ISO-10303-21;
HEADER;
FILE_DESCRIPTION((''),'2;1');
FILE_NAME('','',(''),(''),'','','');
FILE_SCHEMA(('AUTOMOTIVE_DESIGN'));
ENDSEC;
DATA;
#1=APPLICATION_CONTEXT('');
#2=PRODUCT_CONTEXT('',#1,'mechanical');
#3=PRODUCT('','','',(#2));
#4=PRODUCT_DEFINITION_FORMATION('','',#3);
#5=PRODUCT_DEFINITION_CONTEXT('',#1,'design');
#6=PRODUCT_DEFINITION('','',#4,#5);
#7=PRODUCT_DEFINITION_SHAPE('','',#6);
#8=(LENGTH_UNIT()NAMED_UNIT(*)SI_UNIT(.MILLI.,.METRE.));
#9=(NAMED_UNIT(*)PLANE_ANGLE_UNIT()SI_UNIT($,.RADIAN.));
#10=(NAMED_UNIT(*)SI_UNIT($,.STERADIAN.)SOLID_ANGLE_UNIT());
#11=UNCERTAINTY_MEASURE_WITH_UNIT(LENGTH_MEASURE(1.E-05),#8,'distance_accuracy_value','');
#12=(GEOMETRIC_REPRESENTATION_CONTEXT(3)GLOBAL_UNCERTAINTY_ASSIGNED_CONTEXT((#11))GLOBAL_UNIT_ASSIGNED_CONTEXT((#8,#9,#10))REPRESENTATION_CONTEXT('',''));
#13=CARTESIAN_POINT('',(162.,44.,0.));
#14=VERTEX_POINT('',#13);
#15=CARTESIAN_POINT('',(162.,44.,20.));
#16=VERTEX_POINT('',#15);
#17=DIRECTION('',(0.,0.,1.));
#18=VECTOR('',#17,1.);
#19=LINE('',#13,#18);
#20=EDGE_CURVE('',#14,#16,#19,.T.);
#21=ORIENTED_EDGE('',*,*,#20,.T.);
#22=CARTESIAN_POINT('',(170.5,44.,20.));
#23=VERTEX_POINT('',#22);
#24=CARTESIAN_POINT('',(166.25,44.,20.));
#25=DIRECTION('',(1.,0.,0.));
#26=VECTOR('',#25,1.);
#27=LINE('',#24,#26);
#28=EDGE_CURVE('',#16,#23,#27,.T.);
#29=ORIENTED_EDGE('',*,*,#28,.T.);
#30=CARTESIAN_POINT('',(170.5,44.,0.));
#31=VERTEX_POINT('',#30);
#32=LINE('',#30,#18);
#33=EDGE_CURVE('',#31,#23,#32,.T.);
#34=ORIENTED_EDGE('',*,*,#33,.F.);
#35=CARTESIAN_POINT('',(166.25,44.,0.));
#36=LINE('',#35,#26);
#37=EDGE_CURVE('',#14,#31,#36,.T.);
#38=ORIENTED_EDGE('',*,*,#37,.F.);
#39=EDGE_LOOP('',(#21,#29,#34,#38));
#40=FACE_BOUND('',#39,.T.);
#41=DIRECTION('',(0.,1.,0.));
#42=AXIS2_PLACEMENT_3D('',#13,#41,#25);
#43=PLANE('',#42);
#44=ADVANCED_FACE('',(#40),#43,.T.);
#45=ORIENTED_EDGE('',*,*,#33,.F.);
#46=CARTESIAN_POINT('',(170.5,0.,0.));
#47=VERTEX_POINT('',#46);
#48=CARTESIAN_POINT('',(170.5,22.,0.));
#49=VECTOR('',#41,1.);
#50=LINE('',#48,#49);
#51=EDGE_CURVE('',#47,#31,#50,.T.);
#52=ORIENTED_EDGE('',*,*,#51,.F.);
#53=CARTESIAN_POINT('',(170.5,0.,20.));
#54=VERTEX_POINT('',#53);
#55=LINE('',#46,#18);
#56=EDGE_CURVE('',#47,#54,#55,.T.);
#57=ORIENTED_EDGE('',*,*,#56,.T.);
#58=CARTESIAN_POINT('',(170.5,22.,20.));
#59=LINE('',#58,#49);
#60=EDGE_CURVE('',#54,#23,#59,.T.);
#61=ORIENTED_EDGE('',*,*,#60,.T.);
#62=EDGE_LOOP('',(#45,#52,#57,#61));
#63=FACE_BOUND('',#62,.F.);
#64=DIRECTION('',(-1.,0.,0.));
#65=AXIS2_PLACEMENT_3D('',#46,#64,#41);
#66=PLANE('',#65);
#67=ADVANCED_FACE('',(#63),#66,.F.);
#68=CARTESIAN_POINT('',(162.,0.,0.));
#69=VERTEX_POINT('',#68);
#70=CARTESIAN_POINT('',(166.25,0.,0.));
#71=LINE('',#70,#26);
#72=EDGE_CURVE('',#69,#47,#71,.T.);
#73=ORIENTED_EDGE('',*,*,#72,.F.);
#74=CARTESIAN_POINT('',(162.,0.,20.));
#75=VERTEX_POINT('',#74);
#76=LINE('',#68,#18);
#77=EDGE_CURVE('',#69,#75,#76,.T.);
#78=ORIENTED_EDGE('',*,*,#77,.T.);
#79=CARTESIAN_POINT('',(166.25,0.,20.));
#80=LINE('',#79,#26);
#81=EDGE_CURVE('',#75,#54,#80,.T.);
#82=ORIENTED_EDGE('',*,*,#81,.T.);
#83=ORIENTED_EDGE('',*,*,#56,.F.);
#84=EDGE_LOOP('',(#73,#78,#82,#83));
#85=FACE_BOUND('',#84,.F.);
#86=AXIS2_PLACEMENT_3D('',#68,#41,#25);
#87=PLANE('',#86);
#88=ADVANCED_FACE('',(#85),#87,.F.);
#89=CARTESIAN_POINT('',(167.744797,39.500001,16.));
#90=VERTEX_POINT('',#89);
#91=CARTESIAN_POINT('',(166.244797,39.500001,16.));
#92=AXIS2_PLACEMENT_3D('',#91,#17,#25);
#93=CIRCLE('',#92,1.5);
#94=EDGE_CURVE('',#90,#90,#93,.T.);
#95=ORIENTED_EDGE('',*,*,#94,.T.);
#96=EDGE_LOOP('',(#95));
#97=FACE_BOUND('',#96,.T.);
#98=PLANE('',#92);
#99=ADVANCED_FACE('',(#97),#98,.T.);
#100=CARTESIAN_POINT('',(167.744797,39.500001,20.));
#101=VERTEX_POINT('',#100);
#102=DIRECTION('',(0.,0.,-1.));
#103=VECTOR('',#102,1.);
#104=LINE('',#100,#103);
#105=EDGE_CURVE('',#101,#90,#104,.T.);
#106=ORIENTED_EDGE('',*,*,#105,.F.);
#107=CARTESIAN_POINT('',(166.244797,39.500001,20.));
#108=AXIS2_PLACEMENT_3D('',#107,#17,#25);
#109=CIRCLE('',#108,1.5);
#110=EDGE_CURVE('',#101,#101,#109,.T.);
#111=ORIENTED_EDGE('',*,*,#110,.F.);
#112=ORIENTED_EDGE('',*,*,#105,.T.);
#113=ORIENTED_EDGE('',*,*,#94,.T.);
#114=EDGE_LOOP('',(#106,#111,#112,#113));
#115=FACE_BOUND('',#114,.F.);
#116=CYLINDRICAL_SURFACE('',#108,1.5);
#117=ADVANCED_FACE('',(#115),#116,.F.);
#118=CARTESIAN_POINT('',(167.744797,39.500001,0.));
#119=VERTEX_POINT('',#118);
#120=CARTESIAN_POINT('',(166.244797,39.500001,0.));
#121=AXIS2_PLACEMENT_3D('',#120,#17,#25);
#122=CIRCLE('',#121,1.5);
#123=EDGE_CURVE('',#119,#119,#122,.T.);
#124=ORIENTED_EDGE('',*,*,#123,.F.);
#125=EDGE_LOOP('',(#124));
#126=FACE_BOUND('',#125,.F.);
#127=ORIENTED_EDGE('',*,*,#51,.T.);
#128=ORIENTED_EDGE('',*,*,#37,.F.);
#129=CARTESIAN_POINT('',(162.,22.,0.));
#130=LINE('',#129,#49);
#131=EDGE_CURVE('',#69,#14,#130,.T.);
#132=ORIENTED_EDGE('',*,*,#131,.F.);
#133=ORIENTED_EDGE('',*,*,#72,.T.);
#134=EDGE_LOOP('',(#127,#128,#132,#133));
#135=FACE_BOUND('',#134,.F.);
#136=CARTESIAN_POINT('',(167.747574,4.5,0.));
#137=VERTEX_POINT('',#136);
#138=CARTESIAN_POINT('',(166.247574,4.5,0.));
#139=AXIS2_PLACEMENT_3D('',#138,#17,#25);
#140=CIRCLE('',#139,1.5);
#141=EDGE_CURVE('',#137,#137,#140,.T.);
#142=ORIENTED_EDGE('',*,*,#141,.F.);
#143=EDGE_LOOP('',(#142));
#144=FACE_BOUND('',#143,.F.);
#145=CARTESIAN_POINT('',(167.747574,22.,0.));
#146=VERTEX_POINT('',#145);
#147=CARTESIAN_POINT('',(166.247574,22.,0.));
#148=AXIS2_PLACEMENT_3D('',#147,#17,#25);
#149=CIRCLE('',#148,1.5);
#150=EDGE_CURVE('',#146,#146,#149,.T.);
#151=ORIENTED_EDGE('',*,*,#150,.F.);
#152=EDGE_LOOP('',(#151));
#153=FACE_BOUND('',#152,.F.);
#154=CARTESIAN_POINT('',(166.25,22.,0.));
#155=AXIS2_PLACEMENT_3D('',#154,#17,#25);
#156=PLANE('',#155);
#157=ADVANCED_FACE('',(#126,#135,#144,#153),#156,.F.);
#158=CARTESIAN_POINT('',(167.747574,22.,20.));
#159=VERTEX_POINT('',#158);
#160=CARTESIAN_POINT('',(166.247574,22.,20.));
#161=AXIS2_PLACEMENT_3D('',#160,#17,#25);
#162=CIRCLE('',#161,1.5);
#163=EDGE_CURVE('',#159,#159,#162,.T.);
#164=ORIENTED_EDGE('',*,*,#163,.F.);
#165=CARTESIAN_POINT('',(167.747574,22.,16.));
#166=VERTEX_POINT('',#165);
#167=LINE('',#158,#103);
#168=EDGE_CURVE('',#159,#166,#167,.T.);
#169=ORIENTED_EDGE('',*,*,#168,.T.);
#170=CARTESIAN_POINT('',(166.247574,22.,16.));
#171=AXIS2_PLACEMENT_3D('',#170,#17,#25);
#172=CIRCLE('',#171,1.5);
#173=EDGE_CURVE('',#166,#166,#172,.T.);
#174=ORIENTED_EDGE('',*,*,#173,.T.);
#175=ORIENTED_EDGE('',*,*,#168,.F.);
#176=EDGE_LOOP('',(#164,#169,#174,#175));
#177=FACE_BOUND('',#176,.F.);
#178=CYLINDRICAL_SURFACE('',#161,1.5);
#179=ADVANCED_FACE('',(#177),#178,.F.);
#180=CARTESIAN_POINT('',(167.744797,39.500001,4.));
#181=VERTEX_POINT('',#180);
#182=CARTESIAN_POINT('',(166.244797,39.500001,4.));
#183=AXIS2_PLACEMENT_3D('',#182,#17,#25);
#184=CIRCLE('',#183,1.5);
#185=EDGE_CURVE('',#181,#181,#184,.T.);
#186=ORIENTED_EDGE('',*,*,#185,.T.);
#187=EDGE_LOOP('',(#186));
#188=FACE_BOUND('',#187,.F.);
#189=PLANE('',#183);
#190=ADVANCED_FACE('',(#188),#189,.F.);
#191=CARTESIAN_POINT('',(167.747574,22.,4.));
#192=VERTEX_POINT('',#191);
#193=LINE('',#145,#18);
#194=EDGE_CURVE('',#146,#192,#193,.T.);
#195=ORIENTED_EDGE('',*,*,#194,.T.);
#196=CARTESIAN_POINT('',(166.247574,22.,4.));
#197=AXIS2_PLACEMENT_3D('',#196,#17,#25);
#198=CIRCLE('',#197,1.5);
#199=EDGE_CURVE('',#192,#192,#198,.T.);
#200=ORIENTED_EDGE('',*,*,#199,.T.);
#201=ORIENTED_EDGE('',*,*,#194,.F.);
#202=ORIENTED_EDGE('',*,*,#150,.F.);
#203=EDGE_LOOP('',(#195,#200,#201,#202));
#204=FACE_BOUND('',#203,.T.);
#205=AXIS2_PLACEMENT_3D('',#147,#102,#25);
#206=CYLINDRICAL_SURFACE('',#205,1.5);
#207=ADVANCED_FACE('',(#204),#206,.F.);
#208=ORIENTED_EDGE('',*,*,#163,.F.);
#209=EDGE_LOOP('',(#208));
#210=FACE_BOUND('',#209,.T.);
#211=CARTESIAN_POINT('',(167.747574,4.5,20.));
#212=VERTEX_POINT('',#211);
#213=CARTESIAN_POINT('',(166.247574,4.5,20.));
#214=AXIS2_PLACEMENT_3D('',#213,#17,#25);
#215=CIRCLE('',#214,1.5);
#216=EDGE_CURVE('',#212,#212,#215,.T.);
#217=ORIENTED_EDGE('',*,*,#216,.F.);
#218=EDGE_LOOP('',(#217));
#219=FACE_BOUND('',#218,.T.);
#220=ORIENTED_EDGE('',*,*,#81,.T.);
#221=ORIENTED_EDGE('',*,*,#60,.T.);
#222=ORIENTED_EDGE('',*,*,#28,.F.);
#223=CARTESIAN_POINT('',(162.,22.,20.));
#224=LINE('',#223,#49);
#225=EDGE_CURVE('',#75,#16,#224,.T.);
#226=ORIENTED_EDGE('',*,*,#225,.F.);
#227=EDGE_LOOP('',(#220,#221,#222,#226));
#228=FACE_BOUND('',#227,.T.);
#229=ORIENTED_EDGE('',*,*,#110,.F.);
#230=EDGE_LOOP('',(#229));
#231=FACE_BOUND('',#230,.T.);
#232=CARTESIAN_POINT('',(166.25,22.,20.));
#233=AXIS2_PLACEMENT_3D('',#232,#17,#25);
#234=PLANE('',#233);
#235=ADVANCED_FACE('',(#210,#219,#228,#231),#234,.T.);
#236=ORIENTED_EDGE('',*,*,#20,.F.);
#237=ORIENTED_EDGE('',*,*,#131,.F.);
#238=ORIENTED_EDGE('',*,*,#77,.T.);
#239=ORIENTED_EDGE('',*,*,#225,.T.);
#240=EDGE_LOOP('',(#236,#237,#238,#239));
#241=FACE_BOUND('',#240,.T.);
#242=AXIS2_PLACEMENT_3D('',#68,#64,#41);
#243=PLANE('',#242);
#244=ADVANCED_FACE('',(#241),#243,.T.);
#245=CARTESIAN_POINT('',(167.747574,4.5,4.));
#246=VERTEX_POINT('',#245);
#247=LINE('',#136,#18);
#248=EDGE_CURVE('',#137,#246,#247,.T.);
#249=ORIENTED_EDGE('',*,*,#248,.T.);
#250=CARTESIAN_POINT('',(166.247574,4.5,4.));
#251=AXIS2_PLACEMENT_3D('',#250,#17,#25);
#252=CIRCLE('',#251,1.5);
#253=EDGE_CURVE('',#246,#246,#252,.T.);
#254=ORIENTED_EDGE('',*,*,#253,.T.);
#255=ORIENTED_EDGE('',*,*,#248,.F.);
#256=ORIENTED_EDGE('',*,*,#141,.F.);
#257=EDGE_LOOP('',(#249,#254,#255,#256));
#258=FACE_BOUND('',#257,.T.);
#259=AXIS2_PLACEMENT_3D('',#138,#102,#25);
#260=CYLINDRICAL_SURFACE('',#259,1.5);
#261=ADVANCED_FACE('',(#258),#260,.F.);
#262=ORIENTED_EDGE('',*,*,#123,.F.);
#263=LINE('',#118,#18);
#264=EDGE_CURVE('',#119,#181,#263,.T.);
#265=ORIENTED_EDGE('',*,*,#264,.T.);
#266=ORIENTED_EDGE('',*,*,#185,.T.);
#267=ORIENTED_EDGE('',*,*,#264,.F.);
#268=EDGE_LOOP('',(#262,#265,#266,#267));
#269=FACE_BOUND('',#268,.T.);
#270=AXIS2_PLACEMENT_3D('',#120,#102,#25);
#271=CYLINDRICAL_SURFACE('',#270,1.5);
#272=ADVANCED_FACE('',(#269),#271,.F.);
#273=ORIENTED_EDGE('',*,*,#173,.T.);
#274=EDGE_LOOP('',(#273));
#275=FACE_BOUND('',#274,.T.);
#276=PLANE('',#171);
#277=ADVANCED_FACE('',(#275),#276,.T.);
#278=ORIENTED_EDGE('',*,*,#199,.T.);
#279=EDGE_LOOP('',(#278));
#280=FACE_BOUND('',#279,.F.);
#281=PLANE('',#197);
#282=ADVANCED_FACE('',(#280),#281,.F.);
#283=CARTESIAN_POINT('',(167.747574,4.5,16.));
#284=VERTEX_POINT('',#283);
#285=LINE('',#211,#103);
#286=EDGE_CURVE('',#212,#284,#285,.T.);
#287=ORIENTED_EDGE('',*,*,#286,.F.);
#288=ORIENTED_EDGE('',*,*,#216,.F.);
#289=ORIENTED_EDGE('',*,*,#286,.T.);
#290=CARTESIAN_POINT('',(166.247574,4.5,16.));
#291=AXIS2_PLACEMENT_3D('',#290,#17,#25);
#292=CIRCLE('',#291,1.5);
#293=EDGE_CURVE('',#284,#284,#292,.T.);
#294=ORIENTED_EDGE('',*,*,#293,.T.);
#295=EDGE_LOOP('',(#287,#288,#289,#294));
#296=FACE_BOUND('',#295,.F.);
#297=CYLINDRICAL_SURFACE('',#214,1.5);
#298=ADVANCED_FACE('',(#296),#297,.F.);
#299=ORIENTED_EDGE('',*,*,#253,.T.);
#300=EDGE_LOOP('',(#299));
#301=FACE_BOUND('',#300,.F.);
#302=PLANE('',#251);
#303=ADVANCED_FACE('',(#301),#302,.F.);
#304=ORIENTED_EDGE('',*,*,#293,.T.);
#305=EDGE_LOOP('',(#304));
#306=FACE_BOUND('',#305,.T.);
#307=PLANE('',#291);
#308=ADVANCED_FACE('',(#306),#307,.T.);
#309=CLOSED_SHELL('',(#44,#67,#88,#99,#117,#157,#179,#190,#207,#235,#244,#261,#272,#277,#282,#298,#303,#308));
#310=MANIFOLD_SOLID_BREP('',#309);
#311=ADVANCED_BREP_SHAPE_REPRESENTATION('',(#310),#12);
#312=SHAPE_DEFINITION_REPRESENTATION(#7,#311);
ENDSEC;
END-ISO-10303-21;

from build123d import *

# Parameters (mm, degrees)
SKETCH017_W   = 8.5
SKETCH017_H   = 44
PAD001_DEPTH  = 20
SKETCH016_R   = 1.5
HOLE001_DEPTH = 4
SKETCH019_R   = 1.5
HOLE003_DEPTH = 4


with BuildPart() as part:
    # Sketch017 → Pad001 (new body)
    with BuildSketch(Plane.XY):
        with Locations((166.25, 22)):
            Rectangle(SKETCH017_W, SKETCH017_H)
    extrude(amount=PAD001_DEPTH)

    # Sketch016 → Hole001 (cut)
    with BuildSketch(Plane.XY):
        with Locations((166.244797, 39.500001)):
            Circle(SKETCH016_R)
        with Locations((166.247574, 22)):
            Circle(SKETCH016_R)
        with Locations((166.247574, 4.5)):
            Circle(SKETCH016_R)
    extrude(amount=HOLE001_DEPTH, mode=Mode.SUBTRACT)

    # Sketch019 (on Face5 of Hole001) → Hole003 (cut)
    with BuildSketch(Plane.XY.offset(20)):
        with Locations((166.244797, 39.500001)):
            Circle(SKETCH019_R)
        with Locations((166.247574, 22)):
            Circle(SKETCH019_R)
        with Locations((166.247574, 4.5)):
            Circle(SKETCH019_R)
    extrude(amount=-HOLE003_DEPTH, mode=Mode.SUBTRACT)


solid = part.part
